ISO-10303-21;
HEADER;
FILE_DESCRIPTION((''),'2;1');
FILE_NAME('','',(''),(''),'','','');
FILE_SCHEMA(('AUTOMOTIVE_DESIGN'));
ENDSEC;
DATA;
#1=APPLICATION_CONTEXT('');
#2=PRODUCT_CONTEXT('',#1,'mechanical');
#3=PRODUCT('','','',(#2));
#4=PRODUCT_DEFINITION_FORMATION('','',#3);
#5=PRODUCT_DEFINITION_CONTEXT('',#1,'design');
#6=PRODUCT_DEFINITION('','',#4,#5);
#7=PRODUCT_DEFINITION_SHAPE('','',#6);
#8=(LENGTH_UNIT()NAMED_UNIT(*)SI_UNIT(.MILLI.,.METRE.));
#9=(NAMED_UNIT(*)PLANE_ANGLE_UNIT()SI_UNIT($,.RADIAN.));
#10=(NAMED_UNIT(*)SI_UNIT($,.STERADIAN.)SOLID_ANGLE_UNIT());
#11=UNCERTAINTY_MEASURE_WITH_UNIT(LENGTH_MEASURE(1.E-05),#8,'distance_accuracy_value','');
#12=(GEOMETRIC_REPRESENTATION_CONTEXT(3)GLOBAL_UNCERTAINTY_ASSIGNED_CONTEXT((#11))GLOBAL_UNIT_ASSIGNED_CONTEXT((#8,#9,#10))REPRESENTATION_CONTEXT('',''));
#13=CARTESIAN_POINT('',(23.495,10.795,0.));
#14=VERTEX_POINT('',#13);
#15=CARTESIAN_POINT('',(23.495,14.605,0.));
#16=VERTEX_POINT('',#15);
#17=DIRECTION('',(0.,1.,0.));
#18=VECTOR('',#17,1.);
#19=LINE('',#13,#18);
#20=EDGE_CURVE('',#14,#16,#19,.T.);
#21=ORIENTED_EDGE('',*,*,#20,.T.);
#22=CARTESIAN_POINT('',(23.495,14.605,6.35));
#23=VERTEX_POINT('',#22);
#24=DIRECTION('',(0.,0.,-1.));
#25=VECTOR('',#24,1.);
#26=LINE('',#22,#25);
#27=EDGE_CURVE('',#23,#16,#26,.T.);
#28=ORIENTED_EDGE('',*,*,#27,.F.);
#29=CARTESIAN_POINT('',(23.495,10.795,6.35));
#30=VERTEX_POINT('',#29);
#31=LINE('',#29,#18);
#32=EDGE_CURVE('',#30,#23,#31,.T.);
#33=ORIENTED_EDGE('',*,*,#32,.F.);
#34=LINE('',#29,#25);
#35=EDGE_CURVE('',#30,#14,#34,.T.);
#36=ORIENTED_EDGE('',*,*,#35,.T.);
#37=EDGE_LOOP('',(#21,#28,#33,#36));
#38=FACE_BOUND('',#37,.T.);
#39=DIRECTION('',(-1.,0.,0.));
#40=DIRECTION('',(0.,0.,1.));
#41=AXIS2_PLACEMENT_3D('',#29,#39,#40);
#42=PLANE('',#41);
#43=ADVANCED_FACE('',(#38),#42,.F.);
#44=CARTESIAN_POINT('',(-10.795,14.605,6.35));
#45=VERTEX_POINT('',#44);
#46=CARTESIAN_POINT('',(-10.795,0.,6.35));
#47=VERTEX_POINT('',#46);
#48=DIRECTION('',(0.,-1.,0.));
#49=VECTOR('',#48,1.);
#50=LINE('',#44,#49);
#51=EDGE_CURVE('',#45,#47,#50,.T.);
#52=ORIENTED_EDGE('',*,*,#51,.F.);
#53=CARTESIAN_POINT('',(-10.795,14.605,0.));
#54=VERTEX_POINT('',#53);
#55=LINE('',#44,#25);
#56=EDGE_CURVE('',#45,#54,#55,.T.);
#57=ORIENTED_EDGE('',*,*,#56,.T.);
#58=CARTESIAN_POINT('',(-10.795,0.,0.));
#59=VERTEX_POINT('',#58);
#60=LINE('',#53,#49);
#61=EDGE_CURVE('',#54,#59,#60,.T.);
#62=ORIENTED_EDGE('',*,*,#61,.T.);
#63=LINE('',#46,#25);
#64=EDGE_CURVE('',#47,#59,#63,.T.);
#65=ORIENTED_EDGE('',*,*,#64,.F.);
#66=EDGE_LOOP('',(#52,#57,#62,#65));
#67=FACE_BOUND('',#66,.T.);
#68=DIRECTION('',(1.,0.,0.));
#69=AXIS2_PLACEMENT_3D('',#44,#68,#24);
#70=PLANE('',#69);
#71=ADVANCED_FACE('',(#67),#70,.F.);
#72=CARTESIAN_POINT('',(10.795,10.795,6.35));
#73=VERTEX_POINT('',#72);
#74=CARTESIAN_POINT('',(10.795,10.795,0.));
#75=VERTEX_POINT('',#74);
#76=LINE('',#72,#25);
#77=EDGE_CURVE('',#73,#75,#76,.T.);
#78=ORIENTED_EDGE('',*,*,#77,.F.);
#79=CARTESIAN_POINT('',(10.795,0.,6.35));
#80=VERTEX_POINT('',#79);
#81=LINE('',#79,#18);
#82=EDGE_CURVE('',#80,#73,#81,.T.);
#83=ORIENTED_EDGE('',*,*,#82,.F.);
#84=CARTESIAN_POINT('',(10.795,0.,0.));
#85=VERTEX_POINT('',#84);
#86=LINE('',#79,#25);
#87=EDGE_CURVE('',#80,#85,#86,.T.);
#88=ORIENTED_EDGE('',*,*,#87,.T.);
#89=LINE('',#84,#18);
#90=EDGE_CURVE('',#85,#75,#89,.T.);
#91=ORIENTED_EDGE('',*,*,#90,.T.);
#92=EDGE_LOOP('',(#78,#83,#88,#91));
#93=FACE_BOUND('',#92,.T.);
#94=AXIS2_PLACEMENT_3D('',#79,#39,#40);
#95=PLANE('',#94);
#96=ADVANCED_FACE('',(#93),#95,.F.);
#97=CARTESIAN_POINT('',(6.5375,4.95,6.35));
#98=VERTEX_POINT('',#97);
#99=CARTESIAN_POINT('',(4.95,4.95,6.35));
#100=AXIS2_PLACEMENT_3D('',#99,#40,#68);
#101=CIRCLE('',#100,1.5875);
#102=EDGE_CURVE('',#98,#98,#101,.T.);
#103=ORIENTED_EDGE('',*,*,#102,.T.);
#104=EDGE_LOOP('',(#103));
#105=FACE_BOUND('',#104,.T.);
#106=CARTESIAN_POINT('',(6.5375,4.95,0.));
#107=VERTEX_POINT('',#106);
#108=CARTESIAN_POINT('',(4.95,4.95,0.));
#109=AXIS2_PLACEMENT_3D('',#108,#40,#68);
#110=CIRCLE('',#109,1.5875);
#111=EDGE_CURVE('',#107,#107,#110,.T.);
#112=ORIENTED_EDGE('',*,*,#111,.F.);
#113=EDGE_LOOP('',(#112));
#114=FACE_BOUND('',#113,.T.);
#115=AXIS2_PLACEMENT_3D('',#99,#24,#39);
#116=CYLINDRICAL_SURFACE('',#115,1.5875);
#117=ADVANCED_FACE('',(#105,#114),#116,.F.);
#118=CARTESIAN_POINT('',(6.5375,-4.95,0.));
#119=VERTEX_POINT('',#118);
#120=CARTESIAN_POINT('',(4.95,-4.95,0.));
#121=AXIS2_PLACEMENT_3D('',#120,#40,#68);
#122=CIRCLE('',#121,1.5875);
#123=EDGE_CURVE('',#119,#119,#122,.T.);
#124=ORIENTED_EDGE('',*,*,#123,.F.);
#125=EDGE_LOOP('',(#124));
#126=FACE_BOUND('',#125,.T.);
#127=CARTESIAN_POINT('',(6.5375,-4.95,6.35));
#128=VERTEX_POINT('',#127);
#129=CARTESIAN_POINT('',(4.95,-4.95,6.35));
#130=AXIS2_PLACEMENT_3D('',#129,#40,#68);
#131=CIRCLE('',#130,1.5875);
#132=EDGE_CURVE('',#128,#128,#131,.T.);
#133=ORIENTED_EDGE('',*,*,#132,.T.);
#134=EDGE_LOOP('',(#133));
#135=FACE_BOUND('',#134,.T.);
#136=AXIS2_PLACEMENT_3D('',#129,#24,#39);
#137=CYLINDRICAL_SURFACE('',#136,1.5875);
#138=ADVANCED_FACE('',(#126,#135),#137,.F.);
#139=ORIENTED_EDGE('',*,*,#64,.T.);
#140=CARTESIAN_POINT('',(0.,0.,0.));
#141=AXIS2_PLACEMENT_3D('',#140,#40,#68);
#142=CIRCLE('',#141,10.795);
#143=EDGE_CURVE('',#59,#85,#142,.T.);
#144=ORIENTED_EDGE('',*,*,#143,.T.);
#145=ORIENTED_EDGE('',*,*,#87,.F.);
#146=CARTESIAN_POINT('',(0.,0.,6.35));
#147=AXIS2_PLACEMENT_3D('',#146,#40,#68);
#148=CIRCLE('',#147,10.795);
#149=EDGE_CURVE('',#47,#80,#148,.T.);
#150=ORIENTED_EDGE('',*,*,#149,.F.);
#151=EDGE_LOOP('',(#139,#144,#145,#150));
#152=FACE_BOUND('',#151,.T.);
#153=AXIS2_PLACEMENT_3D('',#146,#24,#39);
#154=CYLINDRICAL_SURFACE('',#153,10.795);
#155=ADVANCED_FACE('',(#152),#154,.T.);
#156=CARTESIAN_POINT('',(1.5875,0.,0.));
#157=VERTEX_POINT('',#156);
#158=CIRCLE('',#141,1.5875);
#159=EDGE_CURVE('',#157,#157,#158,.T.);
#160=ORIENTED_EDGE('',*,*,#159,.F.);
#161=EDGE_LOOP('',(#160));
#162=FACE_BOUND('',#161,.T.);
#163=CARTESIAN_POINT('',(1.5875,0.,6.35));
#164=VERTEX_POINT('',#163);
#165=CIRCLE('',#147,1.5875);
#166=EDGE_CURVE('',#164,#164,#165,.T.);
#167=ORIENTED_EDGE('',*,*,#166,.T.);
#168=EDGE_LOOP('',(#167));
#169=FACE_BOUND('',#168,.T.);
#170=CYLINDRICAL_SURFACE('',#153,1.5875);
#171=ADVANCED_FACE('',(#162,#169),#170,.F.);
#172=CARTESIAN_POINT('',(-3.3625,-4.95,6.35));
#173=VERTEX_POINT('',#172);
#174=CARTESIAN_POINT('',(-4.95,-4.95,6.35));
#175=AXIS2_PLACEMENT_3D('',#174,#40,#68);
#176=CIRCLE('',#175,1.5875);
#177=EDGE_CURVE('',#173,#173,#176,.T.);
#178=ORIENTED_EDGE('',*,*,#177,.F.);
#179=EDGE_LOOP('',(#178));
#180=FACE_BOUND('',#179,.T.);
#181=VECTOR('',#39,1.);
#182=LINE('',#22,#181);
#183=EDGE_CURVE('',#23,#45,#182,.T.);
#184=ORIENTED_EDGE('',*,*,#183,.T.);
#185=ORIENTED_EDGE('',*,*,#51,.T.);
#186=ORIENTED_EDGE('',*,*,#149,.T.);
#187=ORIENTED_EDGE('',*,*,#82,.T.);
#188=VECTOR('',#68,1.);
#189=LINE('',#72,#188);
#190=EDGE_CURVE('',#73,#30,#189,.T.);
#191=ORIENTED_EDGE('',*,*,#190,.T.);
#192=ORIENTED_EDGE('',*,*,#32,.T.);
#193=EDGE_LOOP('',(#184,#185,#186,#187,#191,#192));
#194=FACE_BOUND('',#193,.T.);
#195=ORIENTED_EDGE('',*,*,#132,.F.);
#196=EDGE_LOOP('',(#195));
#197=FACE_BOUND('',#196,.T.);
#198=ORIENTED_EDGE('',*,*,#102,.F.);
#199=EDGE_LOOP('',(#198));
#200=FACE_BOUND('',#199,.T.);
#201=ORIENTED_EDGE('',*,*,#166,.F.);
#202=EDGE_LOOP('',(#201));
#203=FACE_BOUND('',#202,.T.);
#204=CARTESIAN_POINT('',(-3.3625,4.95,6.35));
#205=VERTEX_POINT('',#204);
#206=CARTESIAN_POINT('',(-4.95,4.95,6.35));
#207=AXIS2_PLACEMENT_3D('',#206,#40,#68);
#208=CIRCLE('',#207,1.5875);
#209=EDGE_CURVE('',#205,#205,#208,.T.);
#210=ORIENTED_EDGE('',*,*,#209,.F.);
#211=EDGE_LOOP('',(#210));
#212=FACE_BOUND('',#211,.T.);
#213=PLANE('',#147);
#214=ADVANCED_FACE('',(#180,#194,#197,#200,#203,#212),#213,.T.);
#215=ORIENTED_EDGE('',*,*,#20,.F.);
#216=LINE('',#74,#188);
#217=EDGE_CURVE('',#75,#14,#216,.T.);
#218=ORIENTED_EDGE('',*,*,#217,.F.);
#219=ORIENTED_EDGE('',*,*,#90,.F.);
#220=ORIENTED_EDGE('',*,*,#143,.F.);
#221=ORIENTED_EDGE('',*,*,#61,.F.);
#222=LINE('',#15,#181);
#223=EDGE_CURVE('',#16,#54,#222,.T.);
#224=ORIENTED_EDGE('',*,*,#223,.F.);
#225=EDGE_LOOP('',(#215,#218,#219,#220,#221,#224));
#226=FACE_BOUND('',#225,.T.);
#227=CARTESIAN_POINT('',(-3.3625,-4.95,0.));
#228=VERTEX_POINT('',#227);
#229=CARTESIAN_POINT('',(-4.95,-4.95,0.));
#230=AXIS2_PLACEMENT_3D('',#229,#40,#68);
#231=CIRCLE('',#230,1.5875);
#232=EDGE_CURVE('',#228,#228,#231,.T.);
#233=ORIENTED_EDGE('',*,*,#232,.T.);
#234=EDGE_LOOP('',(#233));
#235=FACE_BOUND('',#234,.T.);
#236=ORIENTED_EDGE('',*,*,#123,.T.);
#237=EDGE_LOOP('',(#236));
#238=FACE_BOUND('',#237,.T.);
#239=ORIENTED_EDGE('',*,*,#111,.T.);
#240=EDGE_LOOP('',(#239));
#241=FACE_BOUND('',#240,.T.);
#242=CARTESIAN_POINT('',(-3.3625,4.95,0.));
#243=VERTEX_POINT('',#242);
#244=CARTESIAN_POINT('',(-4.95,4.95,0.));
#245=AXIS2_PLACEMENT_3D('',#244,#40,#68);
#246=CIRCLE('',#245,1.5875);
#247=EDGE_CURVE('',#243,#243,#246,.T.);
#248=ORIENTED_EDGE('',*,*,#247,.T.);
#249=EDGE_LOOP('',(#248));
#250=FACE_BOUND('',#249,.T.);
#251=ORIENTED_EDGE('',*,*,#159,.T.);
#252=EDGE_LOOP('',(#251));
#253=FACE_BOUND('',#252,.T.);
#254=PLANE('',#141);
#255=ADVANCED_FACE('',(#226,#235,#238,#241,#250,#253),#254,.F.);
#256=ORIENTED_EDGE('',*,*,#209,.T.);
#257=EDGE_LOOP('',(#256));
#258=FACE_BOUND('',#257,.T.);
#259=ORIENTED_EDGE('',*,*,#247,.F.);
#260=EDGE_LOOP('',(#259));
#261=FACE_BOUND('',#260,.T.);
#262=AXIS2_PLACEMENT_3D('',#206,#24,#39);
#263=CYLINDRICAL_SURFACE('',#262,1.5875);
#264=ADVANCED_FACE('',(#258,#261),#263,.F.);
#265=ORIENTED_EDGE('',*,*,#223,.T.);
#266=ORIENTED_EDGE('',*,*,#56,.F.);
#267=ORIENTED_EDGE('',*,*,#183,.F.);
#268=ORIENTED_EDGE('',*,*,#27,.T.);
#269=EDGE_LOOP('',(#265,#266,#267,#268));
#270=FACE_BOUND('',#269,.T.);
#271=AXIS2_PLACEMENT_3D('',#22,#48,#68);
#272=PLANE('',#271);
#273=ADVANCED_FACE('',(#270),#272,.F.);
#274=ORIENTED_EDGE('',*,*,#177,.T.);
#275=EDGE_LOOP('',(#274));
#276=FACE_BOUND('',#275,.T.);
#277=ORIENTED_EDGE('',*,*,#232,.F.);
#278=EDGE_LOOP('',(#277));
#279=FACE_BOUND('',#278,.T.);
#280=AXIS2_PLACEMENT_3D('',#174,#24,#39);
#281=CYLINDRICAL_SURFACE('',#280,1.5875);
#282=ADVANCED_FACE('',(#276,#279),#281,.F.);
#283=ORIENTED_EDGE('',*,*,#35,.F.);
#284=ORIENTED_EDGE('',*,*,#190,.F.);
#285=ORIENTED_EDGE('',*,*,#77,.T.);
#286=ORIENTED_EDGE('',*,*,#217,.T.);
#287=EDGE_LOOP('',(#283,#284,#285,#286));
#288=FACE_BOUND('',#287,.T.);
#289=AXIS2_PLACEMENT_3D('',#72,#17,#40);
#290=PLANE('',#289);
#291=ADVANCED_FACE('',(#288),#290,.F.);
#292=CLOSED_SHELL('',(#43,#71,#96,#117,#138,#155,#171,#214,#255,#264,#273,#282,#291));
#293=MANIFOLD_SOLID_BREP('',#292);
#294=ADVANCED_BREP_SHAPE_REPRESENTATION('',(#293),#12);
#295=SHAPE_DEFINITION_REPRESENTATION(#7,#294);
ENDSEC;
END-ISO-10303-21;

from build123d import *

# Parameters (mm, degrees)
SKETCH1_R           = 1.5875
BOSS_EXTRUDE1_DEPTH = 6.35


with BuildPart() as part:
    # Sketch1 → Boss-Extrude1 (new body)
    with BuildSketch(Plane.XY):
        with BuildLine():
            Line((10.795, 0), (10.795, 10.795))
            Line((10.795, 10.795), (23.495, 10.795))
            Line((23.495, 10.795), (23.495, 14.605))
            Line((23.495, 14.605), (-10.795, 14.605))
            Line((-10.795, 14.605), (-10.795, 0))
            ThreePointArc((-10.795, 0), (0, -10.795), (10.795, 0))
        make_face()
        Circle(SKETCH1_R, mode=Mode.SUBTRACT)
        with Locations((-4.95, 4.95)):
            Circle(SKETCH1_R, mode=Mode.SUBTRACT)
        with Locations((-4.95, -4.95)):
            Circle(SKETCH1_R, mode=Mode.SUBTRACT)
        with Locations((4.95, -4.95)):
            Circle(SKETCH1_R, mode=Mode.SUBTRACT)
        with Locations((4.95, 4.95)):
            Circle(SKETCH1_R, mode=Mode.SUBTRACT)
    extrude(amount=BOSS_EXTRUDE1_DEPTH)


solid = part.part
